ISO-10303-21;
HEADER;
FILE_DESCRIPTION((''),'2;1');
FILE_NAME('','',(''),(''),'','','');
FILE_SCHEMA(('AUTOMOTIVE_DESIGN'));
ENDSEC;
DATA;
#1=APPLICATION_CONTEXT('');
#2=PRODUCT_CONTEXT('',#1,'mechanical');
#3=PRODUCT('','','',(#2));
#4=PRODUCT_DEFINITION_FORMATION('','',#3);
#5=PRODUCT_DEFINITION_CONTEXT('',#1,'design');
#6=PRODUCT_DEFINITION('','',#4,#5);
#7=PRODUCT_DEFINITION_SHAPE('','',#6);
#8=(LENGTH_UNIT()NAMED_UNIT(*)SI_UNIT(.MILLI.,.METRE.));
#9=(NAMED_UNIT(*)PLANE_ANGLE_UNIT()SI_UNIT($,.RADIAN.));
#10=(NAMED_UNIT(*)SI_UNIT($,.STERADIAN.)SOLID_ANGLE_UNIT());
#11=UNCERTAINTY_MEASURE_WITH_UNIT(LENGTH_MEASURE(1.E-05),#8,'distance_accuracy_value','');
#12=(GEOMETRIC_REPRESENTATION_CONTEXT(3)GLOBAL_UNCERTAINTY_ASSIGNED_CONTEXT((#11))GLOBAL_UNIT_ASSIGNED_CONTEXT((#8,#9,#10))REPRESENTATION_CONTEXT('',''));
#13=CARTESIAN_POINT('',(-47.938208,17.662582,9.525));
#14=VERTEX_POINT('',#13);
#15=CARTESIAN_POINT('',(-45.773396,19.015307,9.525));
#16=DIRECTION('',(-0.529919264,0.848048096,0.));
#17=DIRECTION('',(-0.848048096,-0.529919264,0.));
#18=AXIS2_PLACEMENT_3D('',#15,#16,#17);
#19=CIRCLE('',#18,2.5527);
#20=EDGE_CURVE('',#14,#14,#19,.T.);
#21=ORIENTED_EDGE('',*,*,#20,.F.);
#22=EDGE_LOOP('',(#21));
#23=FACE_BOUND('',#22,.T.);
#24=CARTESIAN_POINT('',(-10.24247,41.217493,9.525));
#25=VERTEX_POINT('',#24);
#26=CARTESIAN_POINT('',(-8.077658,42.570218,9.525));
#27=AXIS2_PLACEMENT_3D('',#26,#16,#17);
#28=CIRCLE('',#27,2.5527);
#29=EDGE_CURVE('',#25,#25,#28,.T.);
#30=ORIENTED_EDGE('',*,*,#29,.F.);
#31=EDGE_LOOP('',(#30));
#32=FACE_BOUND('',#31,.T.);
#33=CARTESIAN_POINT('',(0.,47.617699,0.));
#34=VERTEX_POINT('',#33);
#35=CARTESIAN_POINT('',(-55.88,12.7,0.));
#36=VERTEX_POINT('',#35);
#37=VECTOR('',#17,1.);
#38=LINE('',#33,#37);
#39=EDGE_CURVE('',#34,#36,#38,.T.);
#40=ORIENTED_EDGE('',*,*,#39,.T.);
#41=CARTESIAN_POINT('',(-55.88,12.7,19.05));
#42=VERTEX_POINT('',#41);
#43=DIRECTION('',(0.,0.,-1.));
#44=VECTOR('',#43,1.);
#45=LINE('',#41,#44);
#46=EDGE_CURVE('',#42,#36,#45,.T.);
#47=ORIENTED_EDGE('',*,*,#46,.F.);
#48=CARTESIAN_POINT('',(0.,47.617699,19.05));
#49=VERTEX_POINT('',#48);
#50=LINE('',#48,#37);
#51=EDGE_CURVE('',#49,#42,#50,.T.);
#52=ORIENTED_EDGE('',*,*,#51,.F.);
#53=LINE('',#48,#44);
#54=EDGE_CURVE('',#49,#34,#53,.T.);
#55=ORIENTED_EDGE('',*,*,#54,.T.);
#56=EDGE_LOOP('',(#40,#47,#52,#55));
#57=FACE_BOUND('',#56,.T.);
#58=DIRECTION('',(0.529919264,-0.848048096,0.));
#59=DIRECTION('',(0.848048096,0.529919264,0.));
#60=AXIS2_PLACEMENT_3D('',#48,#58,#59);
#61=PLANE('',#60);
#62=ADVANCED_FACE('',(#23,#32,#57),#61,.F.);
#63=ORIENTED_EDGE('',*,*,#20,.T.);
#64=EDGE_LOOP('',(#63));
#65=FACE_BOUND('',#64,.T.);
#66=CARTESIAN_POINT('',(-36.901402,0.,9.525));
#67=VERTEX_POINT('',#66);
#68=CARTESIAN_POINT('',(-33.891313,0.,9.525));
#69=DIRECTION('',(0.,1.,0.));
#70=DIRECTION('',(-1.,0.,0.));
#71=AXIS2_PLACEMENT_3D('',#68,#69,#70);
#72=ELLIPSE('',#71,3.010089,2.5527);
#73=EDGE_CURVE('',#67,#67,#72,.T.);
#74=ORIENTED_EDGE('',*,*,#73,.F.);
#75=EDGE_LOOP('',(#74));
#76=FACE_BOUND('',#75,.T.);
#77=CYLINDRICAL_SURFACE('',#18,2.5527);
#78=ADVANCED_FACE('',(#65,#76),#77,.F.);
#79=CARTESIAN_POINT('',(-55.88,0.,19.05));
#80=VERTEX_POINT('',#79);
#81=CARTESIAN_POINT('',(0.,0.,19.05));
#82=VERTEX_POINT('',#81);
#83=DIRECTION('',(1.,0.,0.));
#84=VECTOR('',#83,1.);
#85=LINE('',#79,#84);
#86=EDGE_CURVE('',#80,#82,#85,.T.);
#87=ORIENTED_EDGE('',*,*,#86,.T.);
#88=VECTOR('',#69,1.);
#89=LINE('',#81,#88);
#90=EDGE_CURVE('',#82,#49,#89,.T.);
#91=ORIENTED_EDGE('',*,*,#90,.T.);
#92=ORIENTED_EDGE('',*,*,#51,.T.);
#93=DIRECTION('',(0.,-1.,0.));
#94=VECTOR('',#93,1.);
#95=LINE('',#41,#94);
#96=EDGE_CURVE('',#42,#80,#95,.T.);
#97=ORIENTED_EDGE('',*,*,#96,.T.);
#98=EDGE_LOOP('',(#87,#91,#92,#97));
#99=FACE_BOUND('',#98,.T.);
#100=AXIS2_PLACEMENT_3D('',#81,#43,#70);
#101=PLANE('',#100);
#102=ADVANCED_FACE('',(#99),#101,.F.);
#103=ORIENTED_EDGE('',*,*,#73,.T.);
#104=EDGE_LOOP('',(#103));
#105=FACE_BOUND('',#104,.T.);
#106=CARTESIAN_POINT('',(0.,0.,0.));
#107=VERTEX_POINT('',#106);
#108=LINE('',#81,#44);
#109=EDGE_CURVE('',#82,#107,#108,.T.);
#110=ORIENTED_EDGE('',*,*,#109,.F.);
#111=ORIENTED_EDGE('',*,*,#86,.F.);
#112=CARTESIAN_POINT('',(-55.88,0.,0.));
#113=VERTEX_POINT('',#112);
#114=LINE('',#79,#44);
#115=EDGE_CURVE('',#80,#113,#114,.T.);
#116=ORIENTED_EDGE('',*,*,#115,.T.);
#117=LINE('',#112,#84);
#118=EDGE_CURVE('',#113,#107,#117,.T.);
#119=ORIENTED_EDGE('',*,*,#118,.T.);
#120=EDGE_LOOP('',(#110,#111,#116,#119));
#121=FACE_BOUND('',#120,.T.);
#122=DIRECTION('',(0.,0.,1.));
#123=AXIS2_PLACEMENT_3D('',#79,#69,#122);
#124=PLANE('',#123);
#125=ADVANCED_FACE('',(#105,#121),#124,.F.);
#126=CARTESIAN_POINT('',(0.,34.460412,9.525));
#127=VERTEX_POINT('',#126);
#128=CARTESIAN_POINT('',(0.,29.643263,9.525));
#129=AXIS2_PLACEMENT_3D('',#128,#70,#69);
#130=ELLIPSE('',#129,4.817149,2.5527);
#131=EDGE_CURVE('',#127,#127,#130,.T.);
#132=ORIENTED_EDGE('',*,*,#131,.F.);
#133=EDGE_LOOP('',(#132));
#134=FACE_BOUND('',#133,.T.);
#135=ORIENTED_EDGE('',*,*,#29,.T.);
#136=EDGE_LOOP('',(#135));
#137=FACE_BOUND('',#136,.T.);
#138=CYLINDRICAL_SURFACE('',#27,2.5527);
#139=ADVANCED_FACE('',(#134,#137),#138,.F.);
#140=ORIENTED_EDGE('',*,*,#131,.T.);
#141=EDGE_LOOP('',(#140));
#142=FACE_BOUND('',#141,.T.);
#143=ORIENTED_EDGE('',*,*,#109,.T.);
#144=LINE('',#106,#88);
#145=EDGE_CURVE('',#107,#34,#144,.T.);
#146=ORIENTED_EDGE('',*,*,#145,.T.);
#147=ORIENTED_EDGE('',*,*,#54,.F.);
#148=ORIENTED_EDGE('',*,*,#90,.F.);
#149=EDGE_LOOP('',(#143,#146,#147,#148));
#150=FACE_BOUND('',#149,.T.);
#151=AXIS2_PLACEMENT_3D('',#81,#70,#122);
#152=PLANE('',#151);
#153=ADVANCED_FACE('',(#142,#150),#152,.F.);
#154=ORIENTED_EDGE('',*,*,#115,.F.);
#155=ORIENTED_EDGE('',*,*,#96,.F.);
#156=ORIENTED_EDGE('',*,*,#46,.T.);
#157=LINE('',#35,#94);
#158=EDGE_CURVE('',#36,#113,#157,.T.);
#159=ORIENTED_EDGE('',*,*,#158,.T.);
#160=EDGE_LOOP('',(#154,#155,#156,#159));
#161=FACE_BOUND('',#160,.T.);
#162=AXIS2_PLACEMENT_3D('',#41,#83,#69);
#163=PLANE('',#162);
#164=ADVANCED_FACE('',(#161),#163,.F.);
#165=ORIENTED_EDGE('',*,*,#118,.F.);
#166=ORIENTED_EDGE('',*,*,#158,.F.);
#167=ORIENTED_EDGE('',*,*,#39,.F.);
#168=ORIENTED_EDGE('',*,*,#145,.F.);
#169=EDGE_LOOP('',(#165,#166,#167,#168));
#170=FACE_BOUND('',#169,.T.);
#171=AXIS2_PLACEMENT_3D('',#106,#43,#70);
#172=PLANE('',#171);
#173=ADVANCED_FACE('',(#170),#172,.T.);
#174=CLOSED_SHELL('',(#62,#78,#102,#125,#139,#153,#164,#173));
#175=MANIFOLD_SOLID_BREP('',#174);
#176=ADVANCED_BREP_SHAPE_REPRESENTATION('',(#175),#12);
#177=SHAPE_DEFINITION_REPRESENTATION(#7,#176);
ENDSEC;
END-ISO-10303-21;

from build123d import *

# Parameters (mm, degrees)
BOSS_EXTRUDE1_DEPTH            = 19.05
F_7_0_201_DIAMETER_HOLE1_D     = 5.1054
F_7_0_201_DIAMETER_HOLE1_DEPTH = 25.4


with BuildPart() as part:
    # Sketch2 → Boss-Extrude1 (new body)
    with BuildSketch(Plane.XY):
        Polygon((0, 47.617699385), (-55.88, 12.7), (-55.88, 0), (0, 0), align=None)
    extrude(amount=BOSS_EXTRUDE1_DEPTH)

    # #7 (0.201) Diameter Hole1
    with Locations(Plane(origin=(-21.399252353, 34.245962436, 0), x_dir=(0.8480480961564308, 0.5299192642331972, 0), z_dir=(-0.5299192642331972, 0.848048096156431, 0))):
        with Locations((-28.741463778, -9.525), (15.708536222, -9.525)):
            Hole(F_7_0_201_DIAMETER_HOLE1_D / 2, depth=F_7_0_201_DIAMETER_HOLE1_DEPTH)


solid = part.part
